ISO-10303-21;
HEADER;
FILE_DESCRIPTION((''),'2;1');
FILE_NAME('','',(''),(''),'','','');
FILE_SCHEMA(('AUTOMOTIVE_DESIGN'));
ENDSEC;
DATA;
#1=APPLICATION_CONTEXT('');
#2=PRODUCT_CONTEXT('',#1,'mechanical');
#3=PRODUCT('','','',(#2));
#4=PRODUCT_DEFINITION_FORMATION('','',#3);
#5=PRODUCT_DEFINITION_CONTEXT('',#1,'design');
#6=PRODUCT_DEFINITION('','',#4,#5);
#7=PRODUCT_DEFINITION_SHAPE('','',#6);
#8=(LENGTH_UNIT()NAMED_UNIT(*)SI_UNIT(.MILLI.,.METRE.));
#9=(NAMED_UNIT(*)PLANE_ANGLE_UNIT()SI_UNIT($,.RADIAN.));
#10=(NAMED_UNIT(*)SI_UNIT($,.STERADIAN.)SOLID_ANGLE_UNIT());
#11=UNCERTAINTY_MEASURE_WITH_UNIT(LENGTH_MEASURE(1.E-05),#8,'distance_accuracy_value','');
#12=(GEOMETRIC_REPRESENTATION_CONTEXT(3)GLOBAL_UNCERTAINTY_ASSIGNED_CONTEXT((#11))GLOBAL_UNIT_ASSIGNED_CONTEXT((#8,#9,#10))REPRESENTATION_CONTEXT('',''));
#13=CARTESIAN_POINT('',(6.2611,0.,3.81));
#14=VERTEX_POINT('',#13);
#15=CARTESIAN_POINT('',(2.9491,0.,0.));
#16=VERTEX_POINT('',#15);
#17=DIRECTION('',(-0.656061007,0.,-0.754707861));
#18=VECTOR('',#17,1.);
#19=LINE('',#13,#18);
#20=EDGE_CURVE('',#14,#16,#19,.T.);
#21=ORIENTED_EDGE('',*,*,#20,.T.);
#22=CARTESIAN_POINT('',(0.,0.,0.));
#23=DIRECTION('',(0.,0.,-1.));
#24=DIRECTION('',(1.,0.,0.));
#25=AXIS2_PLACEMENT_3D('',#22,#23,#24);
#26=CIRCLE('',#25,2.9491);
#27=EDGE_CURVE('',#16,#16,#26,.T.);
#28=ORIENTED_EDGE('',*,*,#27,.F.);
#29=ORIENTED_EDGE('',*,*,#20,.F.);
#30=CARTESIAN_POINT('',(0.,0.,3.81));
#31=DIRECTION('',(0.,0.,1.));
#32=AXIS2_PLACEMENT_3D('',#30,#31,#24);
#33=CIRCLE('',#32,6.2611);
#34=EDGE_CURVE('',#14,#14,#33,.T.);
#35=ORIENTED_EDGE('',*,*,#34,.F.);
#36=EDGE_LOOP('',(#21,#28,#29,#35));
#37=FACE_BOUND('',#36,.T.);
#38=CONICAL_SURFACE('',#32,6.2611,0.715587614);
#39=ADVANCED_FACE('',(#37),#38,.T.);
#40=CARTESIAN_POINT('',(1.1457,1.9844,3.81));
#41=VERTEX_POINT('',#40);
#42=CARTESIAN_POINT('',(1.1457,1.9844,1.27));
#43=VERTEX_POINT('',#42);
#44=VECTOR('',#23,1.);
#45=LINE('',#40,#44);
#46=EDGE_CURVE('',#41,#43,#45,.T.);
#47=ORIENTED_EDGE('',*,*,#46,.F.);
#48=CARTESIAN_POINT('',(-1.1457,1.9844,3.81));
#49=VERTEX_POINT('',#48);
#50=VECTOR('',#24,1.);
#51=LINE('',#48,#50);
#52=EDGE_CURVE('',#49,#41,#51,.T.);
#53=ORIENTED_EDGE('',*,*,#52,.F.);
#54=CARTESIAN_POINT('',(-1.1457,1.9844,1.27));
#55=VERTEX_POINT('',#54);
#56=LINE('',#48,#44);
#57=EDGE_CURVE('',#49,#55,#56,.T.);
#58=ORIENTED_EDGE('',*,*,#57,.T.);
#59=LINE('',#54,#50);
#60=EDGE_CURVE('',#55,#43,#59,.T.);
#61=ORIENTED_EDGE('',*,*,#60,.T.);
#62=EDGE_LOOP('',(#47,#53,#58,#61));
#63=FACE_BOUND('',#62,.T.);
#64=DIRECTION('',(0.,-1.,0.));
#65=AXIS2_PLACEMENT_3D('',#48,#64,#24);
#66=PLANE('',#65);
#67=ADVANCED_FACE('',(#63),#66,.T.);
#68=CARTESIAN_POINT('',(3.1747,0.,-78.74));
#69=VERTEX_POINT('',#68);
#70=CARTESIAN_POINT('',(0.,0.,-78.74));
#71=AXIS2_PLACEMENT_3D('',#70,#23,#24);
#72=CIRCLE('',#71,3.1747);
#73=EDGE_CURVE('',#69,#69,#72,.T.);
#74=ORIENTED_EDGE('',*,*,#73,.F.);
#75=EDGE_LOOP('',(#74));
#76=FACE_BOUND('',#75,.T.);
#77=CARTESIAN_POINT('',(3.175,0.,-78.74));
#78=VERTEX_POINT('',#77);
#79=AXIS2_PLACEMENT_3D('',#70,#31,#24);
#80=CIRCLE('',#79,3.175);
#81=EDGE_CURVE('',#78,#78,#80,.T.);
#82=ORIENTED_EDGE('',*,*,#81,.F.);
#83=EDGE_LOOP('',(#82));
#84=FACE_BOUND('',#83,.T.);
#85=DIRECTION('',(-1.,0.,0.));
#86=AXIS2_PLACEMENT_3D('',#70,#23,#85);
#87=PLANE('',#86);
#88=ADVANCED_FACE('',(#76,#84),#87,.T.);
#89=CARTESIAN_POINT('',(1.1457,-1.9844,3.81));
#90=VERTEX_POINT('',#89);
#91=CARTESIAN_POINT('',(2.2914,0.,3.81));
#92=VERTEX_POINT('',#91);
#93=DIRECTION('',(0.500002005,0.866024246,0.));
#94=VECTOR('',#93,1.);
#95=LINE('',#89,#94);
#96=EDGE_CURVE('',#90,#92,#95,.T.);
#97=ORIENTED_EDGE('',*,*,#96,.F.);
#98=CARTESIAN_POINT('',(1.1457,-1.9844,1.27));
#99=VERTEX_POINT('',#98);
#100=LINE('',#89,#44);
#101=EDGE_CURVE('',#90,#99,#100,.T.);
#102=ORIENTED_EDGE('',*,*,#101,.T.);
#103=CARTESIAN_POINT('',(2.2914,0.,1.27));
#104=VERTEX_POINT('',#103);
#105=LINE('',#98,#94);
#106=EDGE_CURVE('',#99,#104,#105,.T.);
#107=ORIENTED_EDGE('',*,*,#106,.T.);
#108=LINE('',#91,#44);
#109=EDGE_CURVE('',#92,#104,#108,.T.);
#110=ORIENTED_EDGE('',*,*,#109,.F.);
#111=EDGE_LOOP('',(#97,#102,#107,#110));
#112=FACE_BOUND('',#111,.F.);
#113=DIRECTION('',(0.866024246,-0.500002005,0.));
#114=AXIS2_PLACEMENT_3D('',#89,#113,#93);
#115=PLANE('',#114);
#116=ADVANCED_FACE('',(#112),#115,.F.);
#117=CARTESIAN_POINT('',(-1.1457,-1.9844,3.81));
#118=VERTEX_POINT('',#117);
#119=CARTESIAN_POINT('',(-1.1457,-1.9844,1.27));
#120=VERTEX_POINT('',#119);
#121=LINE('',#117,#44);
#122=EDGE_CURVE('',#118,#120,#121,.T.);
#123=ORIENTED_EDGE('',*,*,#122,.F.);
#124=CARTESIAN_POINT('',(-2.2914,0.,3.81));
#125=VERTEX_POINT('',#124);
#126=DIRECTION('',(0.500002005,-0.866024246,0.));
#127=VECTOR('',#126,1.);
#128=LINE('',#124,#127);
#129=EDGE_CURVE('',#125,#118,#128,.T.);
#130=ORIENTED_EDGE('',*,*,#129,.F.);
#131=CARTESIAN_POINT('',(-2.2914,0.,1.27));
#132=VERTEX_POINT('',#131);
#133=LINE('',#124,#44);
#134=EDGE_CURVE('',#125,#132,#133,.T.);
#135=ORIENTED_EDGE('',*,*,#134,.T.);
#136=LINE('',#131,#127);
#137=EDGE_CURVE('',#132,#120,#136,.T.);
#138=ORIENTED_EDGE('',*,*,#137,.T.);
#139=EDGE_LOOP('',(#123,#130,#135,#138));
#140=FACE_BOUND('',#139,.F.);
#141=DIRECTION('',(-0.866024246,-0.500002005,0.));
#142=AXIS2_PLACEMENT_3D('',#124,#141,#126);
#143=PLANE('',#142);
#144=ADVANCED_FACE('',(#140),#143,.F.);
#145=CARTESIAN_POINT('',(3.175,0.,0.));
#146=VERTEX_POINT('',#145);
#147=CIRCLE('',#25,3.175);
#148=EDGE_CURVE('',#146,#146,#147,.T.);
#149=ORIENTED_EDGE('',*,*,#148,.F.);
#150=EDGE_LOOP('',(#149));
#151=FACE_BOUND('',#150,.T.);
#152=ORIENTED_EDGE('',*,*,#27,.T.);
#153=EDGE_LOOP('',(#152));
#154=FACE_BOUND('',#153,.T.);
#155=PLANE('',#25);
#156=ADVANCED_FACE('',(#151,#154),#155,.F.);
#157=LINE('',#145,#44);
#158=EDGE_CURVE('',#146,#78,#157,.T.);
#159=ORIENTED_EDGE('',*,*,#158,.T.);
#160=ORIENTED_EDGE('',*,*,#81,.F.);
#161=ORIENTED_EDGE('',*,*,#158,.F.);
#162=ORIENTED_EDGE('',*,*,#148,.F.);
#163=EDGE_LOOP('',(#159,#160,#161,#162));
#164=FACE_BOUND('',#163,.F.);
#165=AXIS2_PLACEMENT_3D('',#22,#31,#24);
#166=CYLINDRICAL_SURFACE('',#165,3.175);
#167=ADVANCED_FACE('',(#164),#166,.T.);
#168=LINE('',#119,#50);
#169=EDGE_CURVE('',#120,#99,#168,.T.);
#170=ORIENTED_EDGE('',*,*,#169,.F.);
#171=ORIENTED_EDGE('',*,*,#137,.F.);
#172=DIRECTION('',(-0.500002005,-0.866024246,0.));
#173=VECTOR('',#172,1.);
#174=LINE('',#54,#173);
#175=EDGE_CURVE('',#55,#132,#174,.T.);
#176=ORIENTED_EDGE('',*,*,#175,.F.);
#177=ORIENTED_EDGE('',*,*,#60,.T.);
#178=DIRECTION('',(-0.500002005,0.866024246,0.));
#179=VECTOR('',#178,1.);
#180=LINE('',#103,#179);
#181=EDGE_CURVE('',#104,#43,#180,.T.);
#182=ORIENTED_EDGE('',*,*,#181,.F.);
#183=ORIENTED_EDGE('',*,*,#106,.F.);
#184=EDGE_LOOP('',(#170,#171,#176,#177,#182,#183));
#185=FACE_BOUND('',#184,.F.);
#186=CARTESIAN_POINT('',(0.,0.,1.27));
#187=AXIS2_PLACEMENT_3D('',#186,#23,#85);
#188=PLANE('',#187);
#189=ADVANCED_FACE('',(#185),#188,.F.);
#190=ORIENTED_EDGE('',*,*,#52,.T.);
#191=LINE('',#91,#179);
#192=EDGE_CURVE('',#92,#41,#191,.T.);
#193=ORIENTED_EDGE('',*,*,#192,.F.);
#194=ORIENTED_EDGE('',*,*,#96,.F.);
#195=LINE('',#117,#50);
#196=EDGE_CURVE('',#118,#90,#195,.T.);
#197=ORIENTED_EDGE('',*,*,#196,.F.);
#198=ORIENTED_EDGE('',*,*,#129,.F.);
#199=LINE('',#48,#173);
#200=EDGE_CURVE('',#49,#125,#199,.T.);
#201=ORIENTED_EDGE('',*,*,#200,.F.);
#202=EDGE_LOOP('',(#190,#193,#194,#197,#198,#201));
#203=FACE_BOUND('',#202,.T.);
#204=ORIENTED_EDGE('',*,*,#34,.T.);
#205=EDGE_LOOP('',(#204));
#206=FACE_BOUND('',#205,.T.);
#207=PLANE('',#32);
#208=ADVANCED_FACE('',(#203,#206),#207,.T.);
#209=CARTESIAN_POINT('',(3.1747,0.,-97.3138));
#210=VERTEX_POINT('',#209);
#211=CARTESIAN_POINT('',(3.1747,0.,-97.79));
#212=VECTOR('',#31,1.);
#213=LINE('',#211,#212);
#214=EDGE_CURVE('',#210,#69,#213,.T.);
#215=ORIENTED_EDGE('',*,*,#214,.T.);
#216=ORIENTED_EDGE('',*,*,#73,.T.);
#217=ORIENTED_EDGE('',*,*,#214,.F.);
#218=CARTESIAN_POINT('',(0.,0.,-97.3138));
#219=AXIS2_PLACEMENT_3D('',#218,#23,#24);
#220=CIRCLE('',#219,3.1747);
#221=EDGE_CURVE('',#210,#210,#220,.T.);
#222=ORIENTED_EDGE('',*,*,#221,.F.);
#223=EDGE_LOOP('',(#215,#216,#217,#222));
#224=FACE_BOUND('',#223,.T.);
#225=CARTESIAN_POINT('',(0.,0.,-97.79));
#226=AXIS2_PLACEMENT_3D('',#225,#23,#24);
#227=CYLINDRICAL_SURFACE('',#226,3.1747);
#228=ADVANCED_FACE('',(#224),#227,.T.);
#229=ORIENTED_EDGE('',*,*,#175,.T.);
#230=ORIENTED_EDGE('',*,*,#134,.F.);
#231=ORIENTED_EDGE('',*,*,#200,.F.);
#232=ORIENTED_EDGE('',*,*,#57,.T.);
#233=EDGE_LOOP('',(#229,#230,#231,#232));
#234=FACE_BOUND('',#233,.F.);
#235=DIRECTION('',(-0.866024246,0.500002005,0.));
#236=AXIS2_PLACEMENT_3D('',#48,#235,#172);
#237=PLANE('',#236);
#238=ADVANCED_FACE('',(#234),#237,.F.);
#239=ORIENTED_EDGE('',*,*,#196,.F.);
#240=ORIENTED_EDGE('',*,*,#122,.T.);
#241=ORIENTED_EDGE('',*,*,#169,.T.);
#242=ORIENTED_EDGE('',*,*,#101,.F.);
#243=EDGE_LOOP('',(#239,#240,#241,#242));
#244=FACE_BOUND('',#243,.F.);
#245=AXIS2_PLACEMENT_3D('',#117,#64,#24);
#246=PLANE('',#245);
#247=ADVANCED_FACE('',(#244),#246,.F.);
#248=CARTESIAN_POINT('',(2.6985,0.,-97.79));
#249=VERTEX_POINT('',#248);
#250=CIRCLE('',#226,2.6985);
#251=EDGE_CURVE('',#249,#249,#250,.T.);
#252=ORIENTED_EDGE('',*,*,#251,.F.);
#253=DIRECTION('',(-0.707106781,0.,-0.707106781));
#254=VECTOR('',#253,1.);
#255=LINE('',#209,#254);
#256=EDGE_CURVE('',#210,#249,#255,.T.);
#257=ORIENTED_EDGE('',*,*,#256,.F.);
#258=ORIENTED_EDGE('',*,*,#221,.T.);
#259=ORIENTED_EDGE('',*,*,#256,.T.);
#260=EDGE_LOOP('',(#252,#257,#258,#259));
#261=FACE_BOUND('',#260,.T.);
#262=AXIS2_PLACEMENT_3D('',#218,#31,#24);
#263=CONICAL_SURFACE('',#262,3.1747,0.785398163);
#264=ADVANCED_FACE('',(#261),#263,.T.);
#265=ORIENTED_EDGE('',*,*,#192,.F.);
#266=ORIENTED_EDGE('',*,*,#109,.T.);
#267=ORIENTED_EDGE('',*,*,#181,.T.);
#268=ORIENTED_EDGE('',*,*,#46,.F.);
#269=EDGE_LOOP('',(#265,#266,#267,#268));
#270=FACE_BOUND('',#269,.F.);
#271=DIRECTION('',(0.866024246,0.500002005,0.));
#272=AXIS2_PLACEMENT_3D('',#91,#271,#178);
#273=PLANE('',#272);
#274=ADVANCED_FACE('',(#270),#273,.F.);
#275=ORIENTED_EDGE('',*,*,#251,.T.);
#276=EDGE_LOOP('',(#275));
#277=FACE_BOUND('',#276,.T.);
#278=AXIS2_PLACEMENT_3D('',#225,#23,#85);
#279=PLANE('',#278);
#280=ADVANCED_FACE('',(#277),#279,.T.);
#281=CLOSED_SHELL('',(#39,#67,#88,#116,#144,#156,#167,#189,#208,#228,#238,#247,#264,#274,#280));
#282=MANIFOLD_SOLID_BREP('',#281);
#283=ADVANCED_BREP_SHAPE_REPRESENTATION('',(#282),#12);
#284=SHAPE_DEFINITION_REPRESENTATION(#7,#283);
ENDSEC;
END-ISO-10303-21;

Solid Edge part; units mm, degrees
sketch "Sketch1" plane through (0, 0, 0) normal (0, 0, 1) x (1, 0, 0)
  circle A0 centre (0, 0) radius 6.2611
  dimension "D1" = 12.5222
extrude "Protrusion1" add sketch "Sketch1" along normal blind 3.81
sketch "Sketch2" plane through (0, 0, 0) normal (0, 0, -1) x (1, 0, 0)
  circle A0 centre (0, 0) radius 3.175
extrude "Protrusion2" add sketch "Sketch2" along normal blind 97.79
sketch "Sketch3" plane through (0, 0, -97.79) normal (0, 0, -1) x (1, 0, 0)
  circle A0 centre (0, 0) radius 3.1747
extrude "Cutout1" cut sketch "Sketch3" against normal blind 19.05 flip side to cut
chamfer "Chamfer_1" distance 0.4762 angle 45 1 edges at (-3.1747, 0, -97.79)
sketch "Sketch4" plane through (0, 0, 3.81) normal (0, 0, 1) x (1, 0, 0)
  line L0 (-1.1457, 1.9844) -> (1.1457, 1.9844)
  line L1 (2.2914, 0) -> (1.1457, 1.9844)
  line L2 (1.1457, -1.9844) -> (2.2914, 0)
  line L3 (-1.1457, -1.9844) -> (1.1457, -1.9844)
  line L4 (-2.2914, 0) -> (-1.1457, -1.9844)
  line L5 (-1.1457, 1.9844) -> (-2.2914, 0)
  dimension "D1" = 3.9688
extrude "Cutout2" cut sketch "Sketch4" against normal blind 2.54
sketch "Sketch5" plane through (0, 0, 0) normal (0, -1, 0) x (1, 0, 0)
  line L0 (6.2611, 3.81) -> (2.9491, 0)
  line L1 (2.9491, 0) -> (6.2611, 0)
  line L2 (6.2611, 0) -> (6.2611, 3.81)
revolve "RevolvedCutout1" cut sketch "Sketch5" angle 360 about axis through (0, 0, 14.0017) along (0, 0, -1)
properties part number "24106181"
